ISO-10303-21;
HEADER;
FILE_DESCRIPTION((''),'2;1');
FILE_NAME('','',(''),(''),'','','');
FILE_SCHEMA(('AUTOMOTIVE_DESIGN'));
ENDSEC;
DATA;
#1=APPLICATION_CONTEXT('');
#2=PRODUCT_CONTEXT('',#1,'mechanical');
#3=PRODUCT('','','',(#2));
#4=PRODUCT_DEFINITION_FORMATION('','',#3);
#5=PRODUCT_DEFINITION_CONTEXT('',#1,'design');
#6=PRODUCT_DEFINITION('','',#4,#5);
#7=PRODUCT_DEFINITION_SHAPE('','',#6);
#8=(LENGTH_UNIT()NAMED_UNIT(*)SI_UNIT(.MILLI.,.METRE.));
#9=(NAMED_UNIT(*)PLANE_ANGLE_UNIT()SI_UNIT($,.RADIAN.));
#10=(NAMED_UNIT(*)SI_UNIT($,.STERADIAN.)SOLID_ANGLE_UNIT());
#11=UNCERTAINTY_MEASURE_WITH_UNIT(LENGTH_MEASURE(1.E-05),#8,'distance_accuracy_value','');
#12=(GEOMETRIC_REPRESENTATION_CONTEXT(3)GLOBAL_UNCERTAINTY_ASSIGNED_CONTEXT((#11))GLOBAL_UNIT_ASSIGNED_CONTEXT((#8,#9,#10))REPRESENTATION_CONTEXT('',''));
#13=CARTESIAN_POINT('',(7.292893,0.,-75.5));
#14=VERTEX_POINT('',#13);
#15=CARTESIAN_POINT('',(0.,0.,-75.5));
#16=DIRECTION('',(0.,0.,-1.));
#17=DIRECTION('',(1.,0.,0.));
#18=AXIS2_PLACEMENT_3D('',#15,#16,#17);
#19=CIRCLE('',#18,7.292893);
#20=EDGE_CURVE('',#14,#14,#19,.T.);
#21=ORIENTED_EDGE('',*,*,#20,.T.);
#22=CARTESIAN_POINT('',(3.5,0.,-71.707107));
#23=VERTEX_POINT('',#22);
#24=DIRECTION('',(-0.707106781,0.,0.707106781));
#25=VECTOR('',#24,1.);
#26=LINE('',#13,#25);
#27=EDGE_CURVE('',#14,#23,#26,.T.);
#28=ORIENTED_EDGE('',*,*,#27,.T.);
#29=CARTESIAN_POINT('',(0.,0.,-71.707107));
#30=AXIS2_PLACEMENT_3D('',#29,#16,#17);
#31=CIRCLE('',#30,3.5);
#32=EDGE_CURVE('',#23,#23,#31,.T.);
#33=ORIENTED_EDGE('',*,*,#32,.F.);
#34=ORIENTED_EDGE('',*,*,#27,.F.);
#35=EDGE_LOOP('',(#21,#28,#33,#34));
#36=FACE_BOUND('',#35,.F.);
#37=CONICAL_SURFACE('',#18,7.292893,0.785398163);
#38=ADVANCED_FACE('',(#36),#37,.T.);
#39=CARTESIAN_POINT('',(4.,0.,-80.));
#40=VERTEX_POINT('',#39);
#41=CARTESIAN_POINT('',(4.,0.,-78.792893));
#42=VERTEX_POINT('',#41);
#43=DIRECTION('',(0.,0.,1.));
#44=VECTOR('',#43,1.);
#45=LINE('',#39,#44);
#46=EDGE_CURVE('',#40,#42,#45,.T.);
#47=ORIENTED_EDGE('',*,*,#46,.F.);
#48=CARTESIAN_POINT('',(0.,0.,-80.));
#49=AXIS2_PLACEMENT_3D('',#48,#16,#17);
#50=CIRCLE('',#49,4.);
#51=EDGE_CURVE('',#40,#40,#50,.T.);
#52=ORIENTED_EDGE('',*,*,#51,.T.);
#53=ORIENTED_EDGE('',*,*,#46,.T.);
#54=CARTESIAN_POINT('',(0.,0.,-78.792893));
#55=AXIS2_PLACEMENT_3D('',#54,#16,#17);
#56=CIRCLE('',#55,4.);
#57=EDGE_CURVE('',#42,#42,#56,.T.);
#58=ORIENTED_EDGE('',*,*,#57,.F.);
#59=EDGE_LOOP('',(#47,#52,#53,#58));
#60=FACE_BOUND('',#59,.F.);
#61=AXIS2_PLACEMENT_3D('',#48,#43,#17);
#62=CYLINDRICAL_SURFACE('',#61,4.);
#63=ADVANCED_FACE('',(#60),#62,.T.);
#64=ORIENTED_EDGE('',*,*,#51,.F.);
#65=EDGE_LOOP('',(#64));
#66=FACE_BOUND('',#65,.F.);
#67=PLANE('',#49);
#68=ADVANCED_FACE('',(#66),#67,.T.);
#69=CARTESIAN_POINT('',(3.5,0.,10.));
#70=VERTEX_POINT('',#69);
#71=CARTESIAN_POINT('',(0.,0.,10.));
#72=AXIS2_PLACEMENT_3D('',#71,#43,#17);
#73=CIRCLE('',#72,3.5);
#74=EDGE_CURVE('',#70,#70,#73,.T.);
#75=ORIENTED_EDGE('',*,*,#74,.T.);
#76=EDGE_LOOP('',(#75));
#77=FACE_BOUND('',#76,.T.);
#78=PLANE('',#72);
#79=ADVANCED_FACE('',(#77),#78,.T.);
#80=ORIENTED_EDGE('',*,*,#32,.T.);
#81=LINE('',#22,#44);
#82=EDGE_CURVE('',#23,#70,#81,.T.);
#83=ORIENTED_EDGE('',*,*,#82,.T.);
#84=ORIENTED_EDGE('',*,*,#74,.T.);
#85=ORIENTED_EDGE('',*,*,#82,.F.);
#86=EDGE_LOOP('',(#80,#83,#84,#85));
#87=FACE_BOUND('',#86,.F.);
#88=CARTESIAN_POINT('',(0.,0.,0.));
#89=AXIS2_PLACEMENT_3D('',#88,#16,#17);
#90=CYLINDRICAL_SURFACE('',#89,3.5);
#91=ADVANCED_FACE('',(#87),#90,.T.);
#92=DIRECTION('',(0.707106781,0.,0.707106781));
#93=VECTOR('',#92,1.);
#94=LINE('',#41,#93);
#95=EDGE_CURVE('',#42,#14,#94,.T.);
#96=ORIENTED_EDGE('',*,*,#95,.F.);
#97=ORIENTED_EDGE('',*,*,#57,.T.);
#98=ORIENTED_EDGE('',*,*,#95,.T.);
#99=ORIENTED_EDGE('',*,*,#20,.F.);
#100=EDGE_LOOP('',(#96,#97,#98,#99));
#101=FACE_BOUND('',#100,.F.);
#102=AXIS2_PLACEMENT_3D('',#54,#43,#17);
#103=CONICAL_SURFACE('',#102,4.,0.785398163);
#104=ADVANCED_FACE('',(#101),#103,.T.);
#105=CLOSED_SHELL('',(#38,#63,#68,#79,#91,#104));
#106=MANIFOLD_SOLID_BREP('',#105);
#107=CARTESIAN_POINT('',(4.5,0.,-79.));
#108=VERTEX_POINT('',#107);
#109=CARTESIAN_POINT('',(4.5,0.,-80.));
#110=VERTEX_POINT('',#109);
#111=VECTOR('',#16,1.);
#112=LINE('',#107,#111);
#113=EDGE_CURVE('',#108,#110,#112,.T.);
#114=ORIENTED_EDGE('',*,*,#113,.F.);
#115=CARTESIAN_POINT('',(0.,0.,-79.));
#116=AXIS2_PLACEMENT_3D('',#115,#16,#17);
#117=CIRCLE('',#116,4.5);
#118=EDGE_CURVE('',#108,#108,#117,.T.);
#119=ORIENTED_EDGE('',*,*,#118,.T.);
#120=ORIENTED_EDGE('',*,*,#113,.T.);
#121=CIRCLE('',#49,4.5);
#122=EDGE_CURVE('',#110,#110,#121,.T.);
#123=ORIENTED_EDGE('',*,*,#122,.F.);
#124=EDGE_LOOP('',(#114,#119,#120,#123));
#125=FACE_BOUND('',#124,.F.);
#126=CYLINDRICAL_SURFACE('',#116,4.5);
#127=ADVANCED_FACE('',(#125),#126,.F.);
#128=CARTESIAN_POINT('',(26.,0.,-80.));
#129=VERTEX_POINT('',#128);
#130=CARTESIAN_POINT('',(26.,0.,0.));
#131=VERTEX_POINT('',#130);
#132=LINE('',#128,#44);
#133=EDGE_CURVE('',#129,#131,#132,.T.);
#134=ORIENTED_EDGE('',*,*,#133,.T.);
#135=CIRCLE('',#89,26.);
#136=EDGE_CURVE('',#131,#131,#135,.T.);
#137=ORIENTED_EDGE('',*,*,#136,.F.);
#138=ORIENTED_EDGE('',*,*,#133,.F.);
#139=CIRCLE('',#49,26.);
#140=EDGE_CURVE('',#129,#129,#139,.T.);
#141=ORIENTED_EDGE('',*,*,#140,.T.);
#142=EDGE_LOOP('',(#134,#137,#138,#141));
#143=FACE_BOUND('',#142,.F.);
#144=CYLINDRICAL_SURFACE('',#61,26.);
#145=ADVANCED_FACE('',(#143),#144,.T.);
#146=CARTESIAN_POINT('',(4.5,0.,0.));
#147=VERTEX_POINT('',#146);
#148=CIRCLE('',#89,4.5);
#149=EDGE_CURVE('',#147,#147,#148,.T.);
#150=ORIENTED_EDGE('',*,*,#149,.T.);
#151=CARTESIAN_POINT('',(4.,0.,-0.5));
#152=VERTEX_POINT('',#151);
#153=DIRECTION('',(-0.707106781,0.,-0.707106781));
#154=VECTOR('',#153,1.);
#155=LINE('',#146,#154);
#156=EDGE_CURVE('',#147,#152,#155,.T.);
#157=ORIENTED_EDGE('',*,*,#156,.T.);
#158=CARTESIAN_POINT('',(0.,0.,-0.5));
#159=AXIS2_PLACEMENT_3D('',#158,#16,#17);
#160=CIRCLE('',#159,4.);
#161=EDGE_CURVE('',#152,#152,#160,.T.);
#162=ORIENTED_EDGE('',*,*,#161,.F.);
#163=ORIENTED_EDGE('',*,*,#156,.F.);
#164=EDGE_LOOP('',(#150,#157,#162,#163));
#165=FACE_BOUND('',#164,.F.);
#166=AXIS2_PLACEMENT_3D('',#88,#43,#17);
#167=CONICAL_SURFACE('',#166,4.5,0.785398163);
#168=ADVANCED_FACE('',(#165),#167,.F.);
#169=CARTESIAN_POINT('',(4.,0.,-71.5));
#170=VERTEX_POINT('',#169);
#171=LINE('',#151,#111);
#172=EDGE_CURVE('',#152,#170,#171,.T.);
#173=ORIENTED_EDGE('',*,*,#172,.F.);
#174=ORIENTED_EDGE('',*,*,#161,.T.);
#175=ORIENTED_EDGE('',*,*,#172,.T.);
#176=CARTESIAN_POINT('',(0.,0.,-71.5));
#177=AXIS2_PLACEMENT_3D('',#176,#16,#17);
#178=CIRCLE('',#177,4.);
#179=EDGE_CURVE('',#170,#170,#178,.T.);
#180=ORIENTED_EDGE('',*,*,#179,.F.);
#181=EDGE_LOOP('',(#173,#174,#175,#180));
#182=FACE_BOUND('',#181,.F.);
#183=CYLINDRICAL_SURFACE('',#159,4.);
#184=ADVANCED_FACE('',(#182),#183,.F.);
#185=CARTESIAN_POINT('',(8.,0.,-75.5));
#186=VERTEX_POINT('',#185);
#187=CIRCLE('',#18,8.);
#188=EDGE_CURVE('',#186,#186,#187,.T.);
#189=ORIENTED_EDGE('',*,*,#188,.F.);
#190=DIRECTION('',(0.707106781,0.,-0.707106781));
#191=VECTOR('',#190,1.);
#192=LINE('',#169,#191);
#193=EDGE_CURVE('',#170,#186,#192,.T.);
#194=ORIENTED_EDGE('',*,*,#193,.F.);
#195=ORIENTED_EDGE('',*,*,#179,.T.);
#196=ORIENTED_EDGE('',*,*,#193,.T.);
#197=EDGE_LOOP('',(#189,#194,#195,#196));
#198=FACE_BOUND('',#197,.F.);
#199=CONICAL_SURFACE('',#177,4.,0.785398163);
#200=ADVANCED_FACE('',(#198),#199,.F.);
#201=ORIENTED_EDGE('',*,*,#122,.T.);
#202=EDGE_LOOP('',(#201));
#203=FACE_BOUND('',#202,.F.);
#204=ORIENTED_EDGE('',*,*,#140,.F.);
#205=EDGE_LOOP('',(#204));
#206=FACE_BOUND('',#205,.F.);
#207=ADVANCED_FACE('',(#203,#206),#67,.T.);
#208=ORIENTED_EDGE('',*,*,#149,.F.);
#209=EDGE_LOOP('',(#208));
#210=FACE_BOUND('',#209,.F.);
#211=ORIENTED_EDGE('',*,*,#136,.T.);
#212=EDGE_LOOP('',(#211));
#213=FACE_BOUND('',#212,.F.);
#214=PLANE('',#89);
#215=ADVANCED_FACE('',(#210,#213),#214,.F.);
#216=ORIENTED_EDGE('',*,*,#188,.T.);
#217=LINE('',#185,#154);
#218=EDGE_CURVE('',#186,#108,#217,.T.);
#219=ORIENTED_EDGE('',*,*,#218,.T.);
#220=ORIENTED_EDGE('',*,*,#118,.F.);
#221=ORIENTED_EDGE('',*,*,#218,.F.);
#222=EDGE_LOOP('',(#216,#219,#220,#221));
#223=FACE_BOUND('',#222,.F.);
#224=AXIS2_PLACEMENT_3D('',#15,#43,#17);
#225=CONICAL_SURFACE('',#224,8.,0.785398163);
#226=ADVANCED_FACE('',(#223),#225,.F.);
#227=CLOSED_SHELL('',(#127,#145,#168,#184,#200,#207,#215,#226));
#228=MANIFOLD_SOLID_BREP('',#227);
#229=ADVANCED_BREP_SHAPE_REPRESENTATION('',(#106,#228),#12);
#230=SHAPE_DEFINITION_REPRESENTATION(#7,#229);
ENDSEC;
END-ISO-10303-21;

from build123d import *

# Parameters (mm, degrees)
F3_FACE_R = 3.5
F4_DEPTH  = 10


with BuildPart() as f2:
    # F0 (on Front) → F2 (revolve)
    with BuildSketch(Plane.XZ):
        Polygon((26, 0), (4.5, 0), (4, -0.5), (4, -71.5), (8, -75.5), (7, -76.5), (4.5, -79), (4.5, -80), (26, -80), align=None)
    revolve(axis=Axis((0, 0, -40), (0, 0, -1)))


with BuildPart() as f3:
    # F1 (on Front) → F3 (revolve)
    with BuildSketch(Plane.XZ):
        Polygon((3.5, -71.707107), (3.5, -0.292893), (3.5, 0), (0, 0), (0, -80), (4, -80), (4, -78.792893), (7.292893, -75.5), align=None)
    revolve(axis=Axis((0, 0, -40), (0, 0, -1)))

    # F3_face (on face) → F4 (join)
    with BuildSketch(Plane.XY):
        Circle(F3_FACE_R)
    extrude(amount=F4_DEPTH)


solid = Compound([f2.part, f3.part])
